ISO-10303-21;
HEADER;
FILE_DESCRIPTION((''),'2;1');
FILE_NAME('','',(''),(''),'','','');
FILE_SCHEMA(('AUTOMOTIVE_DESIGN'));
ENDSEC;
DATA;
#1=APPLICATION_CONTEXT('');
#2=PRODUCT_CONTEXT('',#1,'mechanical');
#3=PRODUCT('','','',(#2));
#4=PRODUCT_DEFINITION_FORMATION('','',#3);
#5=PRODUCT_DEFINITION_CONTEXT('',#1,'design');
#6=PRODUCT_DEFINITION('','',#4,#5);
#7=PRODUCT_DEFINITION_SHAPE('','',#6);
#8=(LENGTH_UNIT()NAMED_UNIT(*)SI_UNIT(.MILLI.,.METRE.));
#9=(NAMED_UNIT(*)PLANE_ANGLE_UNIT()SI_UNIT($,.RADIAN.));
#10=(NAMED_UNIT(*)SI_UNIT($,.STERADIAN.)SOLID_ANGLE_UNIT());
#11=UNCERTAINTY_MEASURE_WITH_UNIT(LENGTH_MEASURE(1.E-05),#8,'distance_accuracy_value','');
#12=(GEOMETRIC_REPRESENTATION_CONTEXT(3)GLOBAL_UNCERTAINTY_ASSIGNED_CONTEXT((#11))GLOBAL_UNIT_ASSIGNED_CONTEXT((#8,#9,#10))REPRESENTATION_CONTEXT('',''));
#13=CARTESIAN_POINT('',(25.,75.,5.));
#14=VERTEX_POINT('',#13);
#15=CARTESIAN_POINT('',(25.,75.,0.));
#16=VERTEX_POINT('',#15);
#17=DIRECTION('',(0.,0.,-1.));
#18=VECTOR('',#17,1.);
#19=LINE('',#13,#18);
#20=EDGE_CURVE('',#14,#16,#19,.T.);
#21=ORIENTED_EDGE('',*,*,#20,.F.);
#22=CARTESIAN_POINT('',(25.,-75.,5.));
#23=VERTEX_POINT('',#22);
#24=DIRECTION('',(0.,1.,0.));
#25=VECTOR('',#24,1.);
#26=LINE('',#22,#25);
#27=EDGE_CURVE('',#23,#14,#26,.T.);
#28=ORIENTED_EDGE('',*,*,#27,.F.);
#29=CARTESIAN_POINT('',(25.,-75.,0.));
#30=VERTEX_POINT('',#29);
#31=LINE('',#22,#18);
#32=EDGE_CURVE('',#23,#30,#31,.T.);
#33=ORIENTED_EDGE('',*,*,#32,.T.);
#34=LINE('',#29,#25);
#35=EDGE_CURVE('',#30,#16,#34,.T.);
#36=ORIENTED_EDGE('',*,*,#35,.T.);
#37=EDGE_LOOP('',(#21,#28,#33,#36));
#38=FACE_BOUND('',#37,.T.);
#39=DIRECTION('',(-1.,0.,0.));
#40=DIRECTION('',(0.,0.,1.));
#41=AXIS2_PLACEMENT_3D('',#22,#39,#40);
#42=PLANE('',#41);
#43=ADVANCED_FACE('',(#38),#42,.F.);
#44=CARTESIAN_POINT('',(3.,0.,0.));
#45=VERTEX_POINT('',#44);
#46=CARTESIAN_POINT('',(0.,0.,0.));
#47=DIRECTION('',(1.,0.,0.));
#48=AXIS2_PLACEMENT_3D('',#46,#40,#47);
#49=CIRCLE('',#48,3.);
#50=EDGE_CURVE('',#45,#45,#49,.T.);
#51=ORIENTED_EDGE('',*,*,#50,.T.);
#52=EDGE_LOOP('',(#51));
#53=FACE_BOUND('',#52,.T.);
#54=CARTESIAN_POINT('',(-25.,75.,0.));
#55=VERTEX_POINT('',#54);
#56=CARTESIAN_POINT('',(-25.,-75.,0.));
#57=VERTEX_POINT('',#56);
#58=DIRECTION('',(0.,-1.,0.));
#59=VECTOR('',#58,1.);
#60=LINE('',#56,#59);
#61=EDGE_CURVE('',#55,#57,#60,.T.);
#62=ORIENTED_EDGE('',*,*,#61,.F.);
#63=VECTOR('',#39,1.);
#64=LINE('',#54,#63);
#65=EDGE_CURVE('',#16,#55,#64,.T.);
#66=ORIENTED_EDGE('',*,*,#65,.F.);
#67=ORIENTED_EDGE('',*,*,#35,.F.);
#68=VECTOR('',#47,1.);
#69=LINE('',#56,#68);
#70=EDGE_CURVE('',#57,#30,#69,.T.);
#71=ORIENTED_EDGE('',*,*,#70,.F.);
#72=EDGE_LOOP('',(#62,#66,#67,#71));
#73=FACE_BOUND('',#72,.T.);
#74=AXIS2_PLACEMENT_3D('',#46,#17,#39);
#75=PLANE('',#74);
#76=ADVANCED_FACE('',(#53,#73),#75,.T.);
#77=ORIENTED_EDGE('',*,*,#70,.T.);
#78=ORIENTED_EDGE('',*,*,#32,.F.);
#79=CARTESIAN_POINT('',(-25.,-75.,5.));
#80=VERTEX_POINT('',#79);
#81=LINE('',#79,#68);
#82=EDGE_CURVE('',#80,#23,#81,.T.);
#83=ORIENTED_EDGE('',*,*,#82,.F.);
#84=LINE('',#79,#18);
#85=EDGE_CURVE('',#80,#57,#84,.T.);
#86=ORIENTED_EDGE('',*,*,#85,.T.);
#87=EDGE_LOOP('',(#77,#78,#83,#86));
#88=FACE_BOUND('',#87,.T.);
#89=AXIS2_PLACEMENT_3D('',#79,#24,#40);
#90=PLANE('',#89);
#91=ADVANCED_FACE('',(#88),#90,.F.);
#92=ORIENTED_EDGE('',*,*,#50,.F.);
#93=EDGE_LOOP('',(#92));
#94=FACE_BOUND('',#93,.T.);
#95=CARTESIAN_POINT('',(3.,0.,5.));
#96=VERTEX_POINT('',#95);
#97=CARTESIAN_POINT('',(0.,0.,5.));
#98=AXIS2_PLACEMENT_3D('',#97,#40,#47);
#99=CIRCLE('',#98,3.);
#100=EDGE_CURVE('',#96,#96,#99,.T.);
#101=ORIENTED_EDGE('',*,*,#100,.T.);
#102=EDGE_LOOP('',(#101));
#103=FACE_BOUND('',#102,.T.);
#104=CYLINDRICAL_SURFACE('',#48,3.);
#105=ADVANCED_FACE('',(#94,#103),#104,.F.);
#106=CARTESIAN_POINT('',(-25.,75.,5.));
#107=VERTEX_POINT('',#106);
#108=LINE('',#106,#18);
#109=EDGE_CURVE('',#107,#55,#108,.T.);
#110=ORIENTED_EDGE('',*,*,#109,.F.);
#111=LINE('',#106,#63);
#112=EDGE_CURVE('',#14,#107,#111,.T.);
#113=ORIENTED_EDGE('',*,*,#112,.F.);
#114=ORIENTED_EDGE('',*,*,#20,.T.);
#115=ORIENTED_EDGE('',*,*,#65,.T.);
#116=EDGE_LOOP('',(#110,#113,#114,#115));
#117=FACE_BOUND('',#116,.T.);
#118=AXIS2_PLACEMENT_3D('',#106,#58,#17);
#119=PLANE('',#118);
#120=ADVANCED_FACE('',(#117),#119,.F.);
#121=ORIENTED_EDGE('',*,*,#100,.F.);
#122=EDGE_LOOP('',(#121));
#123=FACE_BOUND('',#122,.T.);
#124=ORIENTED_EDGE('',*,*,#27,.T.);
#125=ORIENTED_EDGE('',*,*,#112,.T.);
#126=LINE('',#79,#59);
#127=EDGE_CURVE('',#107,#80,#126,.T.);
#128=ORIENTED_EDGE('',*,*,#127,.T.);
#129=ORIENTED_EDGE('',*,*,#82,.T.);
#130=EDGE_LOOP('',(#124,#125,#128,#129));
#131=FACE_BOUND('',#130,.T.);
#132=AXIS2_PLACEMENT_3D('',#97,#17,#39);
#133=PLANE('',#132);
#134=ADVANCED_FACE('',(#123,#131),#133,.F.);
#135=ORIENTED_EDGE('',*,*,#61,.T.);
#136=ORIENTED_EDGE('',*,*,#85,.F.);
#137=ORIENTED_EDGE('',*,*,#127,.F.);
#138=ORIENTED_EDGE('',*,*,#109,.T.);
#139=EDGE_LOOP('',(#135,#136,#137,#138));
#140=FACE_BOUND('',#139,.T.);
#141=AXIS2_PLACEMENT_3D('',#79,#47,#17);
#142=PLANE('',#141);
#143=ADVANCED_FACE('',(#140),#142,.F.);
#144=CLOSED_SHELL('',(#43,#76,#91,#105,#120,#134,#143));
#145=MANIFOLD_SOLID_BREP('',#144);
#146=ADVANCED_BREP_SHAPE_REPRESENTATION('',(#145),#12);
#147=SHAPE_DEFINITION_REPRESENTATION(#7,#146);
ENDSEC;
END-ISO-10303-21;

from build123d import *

# Parameters (mm, degrees)
SKETCH1_W           = 50
SKETCH1_H           = 150
BOSS_EXTRUDE1_DEPTH = 5
SKETCH2_R           = 3
CUT_EXTRUDE1_DEPTH  = 80.214897589


with BuildPart() as part:
    # Sketch1 → Boss-Extrude1 (new body)
    with BuildSketch(Plane.XY):
        Rectangle(SKETCH1_W, SKETCH1_H)
    extrude(amount=BOSS_EXTRUDE1_DEPTH)

    # Sketch2 → Cut-Extrude1 (cut, through all)
    with BuildSketch(Plane.XY.offset(5)):
        Circle(SKETCH2_R)
    extrude(amount=-CUT_EXTRUDE1_DEPTH, mode=Mode.SUBTRACT)


solid = part.part
